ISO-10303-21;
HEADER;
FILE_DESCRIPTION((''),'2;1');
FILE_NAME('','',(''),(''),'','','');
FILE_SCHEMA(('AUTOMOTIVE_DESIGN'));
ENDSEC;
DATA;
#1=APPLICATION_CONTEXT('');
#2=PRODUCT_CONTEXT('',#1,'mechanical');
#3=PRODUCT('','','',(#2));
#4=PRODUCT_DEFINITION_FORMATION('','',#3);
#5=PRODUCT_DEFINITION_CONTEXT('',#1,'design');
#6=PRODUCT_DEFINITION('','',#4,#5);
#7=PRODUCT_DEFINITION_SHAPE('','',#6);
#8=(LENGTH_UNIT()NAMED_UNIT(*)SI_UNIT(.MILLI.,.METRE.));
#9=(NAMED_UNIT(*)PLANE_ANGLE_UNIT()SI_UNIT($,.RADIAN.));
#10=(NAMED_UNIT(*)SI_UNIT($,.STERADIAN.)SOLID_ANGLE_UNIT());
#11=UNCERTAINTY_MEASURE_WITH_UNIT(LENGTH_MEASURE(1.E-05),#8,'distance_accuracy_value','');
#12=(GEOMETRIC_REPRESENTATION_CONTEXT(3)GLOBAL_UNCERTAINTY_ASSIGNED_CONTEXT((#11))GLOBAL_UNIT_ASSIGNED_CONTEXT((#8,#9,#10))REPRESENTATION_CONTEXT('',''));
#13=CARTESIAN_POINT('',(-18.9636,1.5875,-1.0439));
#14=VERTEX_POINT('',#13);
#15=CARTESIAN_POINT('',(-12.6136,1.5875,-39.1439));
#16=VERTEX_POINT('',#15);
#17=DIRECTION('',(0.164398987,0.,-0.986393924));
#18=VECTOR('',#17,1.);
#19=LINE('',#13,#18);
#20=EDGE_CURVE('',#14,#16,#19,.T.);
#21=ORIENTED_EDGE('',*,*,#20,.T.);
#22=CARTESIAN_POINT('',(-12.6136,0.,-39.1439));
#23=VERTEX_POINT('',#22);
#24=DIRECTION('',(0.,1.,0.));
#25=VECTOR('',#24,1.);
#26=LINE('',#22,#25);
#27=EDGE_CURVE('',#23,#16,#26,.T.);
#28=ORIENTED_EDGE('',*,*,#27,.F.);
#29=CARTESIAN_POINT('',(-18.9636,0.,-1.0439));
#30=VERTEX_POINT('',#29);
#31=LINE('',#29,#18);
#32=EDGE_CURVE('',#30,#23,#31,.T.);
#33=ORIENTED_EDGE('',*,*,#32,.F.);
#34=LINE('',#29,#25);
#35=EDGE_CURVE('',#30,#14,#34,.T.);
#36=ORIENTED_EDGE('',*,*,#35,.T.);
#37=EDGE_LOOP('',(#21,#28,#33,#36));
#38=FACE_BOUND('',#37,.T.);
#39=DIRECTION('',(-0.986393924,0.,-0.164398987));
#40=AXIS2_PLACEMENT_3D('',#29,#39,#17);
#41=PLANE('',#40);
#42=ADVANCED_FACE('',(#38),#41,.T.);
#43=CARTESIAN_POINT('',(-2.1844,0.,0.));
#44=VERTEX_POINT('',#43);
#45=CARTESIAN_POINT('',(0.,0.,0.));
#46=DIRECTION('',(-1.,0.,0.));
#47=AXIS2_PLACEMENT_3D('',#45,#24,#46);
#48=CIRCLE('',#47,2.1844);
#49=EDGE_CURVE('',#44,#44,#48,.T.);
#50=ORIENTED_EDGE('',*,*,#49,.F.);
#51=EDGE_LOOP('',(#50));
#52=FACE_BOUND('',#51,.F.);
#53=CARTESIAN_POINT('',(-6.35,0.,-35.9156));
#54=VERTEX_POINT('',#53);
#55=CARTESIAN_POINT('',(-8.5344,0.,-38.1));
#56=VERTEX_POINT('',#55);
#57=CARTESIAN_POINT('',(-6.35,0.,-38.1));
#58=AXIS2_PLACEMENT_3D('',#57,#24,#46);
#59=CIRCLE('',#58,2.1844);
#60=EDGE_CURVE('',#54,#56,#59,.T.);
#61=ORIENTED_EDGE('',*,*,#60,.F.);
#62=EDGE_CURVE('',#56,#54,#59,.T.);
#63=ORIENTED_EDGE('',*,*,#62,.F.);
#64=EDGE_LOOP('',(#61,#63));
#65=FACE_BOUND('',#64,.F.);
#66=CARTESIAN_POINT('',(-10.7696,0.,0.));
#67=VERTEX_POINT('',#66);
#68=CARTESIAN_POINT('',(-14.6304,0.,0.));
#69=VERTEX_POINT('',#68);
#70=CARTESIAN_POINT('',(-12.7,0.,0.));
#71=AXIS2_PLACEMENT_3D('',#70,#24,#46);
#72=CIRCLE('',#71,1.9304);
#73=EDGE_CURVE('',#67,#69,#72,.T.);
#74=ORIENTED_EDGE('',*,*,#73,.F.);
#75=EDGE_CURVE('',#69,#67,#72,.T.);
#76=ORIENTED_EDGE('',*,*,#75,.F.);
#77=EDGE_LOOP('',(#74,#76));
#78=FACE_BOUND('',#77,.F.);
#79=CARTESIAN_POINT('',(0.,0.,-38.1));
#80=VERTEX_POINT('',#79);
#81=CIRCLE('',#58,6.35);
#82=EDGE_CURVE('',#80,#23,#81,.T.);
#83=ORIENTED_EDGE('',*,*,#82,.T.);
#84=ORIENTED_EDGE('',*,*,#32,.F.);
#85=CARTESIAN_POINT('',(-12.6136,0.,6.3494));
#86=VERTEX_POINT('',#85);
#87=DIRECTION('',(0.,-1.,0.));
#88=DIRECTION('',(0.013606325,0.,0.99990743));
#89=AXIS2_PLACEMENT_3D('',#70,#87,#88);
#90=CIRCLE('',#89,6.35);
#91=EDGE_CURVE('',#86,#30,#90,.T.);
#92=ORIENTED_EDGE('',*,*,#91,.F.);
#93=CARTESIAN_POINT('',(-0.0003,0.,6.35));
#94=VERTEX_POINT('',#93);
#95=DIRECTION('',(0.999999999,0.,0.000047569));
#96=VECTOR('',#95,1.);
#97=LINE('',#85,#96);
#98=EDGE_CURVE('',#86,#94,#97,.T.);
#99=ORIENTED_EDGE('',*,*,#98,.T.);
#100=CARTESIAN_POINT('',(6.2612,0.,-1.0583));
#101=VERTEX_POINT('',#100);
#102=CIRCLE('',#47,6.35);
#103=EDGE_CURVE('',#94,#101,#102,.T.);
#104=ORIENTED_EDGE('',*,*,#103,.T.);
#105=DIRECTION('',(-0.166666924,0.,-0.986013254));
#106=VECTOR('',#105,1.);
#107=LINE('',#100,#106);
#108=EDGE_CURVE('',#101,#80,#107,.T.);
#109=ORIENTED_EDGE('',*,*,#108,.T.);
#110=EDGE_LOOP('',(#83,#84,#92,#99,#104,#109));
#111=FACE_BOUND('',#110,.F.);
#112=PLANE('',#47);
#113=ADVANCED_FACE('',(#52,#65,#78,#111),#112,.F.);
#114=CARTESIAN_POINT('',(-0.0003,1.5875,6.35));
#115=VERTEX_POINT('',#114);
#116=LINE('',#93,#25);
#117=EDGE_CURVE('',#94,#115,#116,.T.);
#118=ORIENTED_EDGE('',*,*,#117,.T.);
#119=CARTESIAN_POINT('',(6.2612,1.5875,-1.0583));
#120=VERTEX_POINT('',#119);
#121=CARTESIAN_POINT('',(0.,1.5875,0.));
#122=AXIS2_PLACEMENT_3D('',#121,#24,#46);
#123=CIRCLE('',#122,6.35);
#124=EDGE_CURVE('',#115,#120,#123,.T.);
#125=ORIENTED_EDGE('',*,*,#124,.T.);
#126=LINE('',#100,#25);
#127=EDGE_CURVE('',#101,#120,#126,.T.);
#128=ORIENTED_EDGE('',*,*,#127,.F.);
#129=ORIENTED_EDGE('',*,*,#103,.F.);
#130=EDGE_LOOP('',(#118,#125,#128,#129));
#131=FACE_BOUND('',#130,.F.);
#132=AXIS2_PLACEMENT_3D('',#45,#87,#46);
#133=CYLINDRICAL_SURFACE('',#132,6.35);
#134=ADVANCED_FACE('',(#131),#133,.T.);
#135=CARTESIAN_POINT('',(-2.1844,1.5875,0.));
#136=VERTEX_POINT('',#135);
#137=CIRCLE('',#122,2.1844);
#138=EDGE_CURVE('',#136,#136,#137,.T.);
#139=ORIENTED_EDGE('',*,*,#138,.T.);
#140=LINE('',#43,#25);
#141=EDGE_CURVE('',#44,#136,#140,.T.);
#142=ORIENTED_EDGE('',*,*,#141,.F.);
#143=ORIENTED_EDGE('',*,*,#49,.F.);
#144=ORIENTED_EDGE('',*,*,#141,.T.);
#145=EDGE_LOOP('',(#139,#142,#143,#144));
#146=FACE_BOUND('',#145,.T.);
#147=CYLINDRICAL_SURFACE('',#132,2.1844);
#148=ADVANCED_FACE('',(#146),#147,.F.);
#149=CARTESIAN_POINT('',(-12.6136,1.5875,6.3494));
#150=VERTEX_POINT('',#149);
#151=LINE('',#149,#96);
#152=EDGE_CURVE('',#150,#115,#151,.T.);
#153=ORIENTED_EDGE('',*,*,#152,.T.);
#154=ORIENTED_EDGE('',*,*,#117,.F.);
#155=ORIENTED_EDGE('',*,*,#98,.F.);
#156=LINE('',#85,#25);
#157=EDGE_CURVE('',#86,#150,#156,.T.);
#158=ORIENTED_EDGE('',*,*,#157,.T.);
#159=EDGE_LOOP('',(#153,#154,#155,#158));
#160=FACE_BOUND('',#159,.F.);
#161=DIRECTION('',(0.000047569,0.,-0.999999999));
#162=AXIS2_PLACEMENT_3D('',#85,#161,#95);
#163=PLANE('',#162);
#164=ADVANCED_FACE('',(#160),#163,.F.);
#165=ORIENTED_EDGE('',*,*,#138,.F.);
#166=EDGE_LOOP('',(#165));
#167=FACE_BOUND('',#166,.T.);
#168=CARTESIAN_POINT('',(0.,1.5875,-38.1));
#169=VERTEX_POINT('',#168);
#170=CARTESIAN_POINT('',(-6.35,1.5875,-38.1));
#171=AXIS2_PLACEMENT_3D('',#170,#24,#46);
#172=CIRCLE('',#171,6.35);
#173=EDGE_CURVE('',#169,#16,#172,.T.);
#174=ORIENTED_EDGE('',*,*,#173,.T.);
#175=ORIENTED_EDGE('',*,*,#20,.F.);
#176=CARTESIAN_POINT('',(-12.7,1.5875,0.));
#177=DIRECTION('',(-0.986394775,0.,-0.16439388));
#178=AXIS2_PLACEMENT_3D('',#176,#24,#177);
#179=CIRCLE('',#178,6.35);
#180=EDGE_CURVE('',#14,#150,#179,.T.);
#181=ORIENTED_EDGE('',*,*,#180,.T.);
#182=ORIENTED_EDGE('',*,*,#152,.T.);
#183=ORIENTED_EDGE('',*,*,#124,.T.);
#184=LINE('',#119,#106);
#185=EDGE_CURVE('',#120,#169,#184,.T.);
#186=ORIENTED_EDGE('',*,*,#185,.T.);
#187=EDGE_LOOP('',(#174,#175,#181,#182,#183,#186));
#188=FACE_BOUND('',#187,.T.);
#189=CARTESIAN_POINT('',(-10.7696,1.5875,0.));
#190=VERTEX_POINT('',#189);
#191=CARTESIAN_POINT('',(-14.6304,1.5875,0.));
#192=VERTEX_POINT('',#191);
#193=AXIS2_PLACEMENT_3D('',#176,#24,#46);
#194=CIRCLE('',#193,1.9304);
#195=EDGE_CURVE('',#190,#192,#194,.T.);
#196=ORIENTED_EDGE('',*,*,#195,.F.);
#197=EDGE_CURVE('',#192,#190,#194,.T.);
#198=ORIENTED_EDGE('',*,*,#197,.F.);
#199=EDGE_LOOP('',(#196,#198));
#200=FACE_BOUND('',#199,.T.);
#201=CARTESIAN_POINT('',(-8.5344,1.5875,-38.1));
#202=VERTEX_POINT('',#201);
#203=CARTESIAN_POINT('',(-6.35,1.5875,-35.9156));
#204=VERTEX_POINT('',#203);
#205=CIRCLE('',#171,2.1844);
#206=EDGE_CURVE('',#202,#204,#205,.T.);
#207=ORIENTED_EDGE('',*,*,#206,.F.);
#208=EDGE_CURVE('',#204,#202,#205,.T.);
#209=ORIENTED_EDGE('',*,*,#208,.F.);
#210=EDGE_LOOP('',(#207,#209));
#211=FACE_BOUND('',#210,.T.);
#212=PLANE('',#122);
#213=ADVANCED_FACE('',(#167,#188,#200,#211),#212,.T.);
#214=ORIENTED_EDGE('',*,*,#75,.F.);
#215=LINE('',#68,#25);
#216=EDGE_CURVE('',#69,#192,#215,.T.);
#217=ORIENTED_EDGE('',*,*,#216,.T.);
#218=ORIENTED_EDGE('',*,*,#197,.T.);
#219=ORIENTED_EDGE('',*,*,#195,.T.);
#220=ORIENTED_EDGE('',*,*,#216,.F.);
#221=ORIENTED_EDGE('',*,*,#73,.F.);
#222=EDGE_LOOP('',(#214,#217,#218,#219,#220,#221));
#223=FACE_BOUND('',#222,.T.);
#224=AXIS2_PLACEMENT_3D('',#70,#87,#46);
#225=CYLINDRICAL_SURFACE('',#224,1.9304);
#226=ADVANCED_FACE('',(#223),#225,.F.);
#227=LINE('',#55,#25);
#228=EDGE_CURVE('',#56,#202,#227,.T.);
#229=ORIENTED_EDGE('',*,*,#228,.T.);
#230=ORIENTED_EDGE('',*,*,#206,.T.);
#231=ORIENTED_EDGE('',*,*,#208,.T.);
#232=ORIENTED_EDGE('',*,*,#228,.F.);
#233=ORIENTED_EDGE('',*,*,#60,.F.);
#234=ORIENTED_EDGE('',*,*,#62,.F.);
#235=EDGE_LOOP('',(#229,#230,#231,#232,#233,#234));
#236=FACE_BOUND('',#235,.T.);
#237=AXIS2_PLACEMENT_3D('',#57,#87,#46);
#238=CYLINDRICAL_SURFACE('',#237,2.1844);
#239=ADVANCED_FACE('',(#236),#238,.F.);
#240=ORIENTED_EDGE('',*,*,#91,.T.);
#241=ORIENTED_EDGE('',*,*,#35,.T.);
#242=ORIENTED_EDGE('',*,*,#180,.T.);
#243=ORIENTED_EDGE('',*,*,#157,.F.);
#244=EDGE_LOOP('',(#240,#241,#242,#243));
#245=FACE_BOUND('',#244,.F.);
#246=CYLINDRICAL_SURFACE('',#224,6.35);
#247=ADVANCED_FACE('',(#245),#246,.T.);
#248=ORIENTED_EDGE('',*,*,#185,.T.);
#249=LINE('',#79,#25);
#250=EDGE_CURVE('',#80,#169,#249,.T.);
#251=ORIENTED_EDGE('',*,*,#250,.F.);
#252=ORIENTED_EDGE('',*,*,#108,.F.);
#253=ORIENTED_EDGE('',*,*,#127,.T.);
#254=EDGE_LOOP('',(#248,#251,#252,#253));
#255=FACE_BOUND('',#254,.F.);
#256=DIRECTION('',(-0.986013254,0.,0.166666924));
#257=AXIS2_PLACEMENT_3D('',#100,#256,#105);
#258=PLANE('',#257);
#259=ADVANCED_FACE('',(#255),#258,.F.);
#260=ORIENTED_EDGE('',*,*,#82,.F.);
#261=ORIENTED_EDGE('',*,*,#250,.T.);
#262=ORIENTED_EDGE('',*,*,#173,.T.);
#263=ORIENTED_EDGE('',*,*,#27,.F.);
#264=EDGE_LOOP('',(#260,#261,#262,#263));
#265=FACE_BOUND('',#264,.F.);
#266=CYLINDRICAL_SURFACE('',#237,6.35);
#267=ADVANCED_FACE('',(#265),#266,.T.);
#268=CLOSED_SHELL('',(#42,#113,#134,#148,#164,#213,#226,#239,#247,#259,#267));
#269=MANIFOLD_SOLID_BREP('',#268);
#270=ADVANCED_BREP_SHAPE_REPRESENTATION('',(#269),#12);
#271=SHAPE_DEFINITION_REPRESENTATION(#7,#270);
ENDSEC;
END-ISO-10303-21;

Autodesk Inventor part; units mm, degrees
ref_plane "YZ Plane" through (0, 0, 0) normal (1, 0, 0) x (0, 1, 0)
ref_plane "XZ Plane" through (0, 0, 0) normal (0, 1, 0) x (-1, 0, 0)
ref_plane "XY Plane" through (0, 0, 0) normal (0, 0, 1) x (1, 0, 0)
sketch "Sketch1" plane through (0, 0, 0) normal (0, 1, 0) x (-1, 0, 0)
  circle A0 centre (0, 0) radius 2.1844
  line L0 (0, 0) -> (12.7, 0)
  circle A1 centre (12.7, 0) radius 1.9304
  line L1 (6.35, 0) -> (6.35, -38.1)
  circle A2 centre (6.35, -38.1) radius 2.1844
  circle A3 centre (12.7, 0) radius 6.35
  circle A4 centre (0, 0) radius 6.35
  circle A5 centre (6.35, -38.1) radius 6.35
  line L2 (18.9636, -1.0439) -> (12.6136, -39.1439)
  line L3 (-6.2612, -1.0583) -> (0, -38.1)
  line L4 (12.6136, 6.3494) -> (0.0003, 6.35)
  dimension "d0" = 4.3688
  dimension "d1" = 12.7
  dimension "d2" = 3.8608
  dimension "d3" = 38.1
  dimension "d4" = 4.3688
  dimension "d5" = 12.7
  dimension "d6" = 12.7
extrude "Extrusion1" add sketch "Sketch1" along normal blind 1.5875
properties part number "clampgeo"
